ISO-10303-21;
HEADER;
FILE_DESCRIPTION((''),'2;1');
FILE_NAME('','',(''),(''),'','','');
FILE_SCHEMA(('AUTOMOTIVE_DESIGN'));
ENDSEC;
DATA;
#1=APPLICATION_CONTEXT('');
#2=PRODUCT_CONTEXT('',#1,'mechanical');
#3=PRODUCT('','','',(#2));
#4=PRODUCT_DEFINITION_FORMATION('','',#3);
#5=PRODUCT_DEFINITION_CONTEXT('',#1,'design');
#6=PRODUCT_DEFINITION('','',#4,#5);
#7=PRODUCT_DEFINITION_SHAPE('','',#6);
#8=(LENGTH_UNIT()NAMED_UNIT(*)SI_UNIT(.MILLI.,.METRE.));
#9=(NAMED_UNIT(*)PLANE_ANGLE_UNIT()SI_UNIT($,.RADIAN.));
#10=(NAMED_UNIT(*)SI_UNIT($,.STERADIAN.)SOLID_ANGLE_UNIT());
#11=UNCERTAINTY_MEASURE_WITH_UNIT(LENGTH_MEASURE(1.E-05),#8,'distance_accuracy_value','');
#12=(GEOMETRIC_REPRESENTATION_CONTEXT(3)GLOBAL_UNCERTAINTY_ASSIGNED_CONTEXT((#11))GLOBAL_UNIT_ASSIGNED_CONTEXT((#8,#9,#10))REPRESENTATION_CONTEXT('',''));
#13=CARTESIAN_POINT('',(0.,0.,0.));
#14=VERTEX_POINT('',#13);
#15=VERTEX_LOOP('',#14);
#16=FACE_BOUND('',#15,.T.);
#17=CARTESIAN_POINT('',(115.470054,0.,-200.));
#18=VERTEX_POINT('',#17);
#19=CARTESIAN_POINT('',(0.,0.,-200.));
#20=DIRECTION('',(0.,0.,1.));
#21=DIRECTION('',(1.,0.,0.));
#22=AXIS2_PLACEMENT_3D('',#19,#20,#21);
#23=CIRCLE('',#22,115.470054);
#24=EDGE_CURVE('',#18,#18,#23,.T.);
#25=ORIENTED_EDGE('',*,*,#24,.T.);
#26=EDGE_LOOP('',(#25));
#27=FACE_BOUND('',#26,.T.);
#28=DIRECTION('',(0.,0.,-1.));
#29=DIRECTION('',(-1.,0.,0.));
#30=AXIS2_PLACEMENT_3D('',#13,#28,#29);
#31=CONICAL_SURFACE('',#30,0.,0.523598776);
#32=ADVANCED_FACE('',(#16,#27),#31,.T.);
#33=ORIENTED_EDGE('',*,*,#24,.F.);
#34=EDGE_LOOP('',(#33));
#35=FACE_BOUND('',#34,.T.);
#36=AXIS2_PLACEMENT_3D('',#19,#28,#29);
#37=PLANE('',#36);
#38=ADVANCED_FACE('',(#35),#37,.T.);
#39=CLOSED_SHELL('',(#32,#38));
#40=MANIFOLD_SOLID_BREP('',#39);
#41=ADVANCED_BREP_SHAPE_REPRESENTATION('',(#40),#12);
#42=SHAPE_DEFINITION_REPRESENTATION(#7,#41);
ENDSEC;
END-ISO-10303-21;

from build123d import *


with BuildPart() as part:
    # Sketch1 → Revolve1 (revolve)
    with BuildSketch(Plane(origin=(0, 0, 0), x_dir=(1, 0, 0), z_dir=(0, 1, 0))):
        Polygon((0, 0), (0, 200), (115.470053838, 200), align=None)
    revolve(axis=Axis((0, 0, 0), (0, 0, -1)))


solid = part.part
